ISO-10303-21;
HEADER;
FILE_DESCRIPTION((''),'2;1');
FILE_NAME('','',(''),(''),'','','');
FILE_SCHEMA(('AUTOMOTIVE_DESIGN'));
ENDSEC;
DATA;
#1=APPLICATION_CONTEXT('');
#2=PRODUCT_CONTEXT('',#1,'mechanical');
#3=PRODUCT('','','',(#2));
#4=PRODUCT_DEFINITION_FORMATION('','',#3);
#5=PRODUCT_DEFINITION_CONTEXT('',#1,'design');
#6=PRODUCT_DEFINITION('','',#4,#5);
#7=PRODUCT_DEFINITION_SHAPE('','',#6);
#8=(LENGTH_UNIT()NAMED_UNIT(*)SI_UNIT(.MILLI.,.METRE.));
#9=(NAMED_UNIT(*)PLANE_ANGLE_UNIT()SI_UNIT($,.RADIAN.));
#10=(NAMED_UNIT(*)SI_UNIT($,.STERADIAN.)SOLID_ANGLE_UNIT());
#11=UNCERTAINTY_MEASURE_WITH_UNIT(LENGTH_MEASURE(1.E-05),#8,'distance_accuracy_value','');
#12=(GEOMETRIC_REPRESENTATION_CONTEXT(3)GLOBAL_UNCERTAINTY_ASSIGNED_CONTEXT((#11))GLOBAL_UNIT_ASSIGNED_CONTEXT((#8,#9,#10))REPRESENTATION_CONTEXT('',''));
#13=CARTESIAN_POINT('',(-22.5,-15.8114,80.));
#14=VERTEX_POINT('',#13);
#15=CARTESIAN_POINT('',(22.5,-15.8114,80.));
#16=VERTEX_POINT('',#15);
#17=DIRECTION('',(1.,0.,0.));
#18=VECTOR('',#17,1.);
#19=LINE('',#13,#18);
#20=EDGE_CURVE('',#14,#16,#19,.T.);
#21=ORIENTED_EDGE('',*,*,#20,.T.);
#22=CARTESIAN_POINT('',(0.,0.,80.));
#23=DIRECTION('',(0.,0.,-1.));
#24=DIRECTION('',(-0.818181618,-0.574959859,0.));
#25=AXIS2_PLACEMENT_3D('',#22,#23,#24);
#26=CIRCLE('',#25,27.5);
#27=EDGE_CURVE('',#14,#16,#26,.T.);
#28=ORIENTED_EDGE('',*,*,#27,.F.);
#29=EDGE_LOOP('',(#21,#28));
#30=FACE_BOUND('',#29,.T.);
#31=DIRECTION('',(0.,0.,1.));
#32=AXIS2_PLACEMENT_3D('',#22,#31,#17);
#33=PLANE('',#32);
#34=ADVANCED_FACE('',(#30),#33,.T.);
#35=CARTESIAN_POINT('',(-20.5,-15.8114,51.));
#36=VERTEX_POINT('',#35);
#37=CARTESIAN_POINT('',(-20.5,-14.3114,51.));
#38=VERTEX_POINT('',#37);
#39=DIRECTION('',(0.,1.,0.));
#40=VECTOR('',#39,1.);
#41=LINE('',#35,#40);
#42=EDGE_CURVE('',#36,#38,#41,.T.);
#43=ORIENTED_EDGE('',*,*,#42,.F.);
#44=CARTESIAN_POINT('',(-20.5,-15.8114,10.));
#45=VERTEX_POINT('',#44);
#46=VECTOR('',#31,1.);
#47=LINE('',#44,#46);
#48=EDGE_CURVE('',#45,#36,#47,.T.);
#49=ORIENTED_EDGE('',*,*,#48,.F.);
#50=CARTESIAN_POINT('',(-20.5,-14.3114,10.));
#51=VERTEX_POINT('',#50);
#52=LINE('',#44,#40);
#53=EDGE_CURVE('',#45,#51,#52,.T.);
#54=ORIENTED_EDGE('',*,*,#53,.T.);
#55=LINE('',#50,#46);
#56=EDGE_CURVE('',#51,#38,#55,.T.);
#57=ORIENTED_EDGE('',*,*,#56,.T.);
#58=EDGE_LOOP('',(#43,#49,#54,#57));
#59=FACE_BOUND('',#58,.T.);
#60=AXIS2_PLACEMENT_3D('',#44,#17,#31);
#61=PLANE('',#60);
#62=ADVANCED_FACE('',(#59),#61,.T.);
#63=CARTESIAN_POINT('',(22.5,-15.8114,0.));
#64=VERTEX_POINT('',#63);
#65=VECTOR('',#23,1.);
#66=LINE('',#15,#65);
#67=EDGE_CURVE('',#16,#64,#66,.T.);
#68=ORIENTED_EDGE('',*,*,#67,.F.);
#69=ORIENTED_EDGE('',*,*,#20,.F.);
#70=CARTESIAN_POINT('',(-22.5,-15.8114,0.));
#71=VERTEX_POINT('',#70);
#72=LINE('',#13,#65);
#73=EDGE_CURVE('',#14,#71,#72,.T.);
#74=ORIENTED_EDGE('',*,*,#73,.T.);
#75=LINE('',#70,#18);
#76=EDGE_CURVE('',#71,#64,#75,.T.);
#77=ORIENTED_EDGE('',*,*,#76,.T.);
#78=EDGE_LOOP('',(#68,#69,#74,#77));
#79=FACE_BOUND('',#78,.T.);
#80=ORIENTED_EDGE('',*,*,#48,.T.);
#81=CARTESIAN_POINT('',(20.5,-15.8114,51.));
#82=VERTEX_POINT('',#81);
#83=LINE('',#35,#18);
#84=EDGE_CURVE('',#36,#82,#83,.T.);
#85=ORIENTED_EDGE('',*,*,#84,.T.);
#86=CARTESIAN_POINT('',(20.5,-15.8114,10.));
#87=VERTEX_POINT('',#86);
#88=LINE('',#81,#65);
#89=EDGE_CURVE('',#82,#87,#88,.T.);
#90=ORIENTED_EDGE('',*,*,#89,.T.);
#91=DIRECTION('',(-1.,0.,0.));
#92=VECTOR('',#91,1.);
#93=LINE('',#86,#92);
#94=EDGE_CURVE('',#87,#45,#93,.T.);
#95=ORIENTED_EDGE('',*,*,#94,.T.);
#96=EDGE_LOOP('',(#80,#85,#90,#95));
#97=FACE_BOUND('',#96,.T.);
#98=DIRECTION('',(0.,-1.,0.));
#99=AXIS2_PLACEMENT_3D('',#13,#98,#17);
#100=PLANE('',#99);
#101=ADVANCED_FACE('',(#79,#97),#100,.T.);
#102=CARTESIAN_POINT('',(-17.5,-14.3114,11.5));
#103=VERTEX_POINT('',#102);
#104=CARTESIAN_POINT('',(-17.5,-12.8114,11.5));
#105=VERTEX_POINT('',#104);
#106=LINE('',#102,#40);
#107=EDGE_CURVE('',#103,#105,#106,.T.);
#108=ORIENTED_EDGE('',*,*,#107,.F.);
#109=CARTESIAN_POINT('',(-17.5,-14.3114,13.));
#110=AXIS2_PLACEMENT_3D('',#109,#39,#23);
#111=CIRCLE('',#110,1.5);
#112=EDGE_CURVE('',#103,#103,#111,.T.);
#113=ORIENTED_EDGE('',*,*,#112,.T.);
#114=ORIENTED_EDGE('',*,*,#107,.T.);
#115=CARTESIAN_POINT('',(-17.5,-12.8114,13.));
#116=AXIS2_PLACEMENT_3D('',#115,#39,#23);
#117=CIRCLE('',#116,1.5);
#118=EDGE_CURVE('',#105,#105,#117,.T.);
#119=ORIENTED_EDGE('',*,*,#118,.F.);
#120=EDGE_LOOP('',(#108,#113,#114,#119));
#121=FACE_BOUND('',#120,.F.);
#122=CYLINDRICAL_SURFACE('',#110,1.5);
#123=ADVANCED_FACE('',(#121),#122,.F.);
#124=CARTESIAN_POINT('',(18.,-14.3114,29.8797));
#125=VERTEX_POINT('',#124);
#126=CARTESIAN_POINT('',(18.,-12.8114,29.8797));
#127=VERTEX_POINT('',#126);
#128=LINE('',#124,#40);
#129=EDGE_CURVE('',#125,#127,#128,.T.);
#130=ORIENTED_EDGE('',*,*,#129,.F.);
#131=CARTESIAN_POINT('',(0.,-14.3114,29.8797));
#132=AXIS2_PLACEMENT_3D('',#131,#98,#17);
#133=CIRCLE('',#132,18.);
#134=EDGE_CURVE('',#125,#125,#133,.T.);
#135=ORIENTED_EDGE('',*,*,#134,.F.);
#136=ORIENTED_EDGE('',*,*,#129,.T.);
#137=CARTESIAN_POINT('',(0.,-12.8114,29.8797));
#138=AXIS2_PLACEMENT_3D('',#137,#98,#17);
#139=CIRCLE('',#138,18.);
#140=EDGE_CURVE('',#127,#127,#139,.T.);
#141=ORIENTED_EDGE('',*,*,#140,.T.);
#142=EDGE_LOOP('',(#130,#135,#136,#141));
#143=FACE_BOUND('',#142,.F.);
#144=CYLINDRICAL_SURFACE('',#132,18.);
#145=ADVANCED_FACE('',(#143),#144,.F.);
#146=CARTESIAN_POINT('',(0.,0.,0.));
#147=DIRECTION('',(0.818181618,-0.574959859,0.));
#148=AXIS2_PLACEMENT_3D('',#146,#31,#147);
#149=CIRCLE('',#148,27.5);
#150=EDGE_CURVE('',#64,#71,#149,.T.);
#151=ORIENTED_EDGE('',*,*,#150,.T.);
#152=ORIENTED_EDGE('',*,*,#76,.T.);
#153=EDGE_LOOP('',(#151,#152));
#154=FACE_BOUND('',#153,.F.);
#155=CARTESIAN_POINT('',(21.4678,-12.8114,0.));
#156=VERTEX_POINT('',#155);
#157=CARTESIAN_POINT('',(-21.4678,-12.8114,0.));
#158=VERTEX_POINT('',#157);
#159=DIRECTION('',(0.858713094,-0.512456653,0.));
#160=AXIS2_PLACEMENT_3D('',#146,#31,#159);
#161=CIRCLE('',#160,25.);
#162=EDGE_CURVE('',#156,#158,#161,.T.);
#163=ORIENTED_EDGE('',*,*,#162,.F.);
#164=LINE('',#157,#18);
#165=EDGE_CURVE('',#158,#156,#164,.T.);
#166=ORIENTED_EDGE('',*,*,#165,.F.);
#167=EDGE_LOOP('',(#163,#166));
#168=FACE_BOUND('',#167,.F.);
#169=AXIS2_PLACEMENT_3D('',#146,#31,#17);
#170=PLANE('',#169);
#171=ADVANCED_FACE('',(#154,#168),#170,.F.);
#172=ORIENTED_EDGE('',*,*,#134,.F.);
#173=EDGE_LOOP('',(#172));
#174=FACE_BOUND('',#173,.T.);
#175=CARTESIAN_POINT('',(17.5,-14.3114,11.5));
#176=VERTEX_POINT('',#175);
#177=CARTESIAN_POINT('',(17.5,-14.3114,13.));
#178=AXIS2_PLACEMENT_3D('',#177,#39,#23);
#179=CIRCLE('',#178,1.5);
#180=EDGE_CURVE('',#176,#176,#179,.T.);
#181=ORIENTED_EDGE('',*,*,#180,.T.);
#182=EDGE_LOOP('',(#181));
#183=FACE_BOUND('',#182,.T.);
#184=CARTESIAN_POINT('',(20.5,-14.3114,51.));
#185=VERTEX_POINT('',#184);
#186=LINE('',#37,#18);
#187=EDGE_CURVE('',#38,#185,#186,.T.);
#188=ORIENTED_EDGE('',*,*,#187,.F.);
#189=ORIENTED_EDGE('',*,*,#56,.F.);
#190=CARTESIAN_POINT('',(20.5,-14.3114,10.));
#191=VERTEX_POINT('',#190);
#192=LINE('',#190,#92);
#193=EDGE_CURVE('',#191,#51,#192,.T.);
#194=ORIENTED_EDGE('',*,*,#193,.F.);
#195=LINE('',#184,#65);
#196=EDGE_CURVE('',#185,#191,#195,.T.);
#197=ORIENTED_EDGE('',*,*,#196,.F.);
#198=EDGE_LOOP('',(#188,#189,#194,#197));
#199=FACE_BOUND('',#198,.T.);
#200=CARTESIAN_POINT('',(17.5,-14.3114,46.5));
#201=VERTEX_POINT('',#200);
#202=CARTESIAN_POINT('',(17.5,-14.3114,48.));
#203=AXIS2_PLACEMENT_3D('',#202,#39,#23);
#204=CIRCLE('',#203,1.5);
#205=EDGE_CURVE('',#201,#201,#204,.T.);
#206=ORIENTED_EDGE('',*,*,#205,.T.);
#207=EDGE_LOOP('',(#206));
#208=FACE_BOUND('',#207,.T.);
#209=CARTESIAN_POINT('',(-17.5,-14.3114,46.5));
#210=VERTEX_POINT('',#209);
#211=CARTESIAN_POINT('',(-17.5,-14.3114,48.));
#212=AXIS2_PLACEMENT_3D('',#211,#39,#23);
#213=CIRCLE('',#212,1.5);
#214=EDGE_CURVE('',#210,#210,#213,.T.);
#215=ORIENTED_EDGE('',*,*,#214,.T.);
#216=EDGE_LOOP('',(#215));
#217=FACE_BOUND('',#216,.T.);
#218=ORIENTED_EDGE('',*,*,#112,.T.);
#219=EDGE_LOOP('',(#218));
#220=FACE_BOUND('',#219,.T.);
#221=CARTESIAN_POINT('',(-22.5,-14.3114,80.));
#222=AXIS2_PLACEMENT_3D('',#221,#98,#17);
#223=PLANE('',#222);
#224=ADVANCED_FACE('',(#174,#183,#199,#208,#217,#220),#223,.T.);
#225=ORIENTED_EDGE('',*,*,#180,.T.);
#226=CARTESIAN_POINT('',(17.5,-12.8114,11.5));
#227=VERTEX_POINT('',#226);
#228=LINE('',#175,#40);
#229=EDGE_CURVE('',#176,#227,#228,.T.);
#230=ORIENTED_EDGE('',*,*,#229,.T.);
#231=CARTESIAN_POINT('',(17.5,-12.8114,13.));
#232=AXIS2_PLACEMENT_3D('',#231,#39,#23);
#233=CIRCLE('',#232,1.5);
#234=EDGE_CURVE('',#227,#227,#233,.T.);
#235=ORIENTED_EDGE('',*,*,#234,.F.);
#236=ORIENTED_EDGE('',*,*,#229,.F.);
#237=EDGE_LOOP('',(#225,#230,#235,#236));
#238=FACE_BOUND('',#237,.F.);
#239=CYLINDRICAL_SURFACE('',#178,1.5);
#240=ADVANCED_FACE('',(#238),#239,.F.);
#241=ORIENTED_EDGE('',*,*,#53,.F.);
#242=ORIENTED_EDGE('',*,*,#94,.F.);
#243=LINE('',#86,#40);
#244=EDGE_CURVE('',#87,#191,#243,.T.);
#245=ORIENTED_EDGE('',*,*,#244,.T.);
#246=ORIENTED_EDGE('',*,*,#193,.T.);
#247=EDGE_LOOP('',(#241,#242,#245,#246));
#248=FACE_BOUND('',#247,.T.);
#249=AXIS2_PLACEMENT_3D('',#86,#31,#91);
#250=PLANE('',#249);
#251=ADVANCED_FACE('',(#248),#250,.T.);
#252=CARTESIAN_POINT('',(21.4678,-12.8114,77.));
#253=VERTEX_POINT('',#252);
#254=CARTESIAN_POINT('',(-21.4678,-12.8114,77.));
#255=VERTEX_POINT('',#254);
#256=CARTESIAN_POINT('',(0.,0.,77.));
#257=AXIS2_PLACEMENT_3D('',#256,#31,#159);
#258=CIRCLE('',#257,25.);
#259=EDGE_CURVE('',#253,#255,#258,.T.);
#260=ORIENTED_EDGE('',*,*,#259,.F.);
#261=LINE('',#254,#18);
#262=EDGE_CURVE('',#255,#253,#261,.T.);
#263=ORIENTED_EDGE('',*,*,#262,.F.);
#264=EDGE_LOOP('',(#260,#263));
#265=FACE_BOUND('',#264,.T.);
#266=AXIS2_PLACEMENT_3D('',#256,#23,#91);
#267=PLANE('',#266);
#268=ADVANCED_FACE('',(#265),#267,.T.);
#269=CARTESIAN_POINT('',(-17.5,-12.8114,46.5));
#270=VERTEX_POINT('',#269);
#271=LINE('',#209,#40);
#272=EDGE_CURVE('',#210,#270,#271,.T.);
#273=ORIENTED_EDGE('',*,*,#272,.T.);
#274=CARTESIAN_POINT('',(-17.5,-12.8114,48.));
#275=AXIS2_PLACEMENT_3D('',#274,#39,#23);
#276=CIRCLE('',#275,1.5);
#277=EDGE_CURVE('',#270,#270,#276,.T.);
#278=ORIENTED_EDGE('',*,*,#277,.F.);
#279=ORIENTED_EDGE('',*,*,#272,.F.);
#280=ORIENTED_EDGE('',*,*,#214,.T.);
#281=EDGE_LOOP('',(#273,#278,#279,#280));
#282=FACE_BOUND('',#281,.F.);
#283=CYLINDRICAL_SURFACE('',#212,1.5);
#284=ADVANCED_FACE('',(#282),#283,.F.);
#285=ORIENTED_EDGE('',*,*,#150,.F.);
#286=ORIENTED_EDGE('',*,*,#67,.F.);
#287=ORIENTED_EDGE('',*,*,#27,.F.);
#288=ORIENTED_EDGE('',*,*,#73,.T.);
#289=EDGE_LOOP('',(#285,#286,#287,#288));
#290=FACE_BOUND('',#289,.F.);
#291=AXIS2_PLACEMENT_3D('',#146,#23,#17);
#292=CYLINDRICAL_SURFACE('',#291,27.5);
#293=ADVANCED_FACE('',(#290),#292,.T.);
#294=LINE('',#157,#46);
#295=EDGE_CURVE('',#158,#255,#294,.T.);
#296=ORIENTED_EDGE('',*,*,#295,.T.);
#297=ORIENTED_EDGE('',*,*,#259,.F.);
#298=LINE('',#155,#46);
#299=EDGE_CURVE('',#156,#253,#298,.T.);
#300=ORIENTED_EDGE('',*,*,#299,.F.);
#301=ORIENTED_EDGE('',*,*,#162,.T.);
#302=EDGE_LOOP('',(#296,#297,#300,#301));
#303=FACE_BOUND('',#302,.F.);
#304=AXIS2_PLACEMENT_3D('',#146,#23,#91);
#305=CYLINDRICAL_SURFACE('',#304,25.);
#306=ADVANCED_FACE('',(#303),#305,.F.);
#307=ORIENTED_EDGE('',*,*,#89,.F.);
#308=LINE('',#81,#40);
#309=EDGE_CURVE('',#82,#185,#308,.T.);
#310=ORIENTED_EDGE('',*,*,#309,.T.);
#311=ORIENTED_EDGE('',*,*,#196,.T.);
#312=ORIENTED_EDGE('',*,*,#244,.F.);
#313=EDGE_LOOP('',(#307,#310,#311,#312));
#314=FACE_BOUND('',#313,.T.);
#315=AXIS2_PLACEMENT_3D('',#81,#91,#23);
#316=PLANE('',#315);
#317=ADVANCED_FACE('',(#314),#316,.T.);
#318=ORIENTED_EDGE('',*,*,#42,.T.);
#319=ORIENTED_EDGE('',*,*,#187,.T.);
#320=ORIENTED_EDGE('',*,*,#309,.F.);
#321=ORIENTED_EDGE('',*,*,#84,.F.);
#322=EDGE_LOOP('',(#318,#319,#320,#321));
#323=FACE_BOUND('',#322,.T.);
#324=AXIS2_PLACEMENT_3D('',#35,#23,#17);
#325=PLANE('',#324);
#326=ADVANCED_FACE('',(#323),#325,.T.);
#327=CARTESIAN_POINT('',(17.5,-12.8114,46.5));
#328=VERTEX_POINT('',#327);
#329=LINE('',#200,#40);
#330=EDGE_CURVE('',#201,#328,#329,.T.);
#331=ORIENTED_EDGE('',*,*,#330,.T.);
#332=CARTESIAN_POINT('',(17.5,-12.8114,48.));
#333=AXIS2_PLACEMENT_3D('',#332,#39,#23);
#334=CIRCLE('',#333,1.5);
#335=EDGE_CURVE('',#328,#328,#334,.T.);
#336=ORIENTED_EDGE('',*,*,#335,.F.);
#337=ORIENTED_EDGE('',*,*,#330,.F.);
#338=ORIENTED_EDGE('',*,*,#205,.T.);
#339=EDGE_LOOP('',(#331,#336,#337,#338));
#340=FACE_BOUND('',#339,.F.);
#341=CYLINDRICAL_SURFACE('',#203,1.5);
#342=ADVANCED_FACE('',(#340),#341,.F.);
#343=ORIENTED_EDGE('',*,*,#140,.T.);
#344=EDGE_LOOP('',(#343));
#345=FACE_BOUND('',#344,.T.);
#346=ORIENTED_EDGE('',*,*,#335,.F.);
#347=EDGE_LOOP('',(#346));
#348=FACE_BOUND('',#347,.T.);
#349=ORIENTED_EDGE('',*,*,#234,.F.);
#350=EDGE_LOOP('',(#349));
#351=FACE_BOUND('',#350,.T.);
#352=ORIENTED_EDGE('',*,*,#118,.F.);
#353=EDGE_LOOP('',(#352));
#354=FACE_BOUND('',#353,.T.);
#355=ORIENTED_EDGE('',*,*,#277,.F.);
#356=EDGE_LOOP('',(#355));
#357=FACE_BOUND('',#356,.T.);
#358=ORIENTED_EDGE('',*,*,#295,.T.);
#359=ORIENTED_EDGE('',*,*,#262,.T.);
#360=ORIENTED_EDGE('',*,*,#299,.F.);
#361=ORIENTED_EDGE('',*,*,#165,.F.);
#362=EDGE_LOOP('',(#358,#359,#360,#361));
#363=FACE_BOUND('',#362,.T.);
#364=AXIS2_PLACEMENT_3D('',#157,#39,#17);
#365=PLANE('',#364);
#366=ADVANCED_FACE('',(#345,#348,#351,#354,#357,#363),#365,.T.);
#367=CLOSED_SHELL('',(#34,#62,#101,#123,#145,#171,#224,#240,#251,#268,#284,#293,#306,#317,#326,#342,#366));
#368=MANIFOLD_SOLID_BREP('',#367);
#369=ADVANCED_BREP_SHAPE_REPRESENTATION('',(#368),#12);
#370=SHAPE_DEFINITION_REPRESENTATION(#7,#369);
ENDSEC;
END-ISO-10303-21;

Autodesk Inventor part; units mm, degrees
ref_plane "YZ Plane" through (0, 0, 0) normal (1, 0, 0) x (0, 1, 0)
ref_plane "XZ Plane" through (0, 0, 0) normal (0, 1, 0) x (-1, 0, 0)
ref_plane "XY Plane" through (0, 0, 0) normal (0, 0, 1) x (1, 0, 0)
sketch "Sketch1" plane through (0, 0, 0) normal (0, 0, 1) x (1, 0, 0)
  circle A0 centre (0, 0) radius 27.5
  dimension "d0" = 55
extrude "Extrusion1" add sketch "Sketch1" along normal blind 80
sketch "Sketch2" plane through (0, 0, 80) normal (0, 0, 1) x (1, 0, 0)
  circle A0 centre (0, 0) radius 27.5 projected
  line L0 (-22.5, -15.8114) -> (22.5, -15.8114)
  dimension "d5" = 45
extrude "Extrusion2" cut sketch "Sketch2" against normal blind 80 contours L0 A0 picked at (-6.0353, -17.4405)
sketch "Sketch3" plane through (-22.5, -15.8114, 80) normal (0, -1, 0) x (1, 0, 0)
  line L0 (43, -70) -> (2, -70)
  line L1 (2, -70) -> (2, -29)
  line L2 (2, -29) -> (43, -29)
  line L3 (43, -29) -> (43, -70)
  line L4 (0, -80) -> (0, 0) projected
  line L5 (45, 0) -> (45, -80) projected
  line L6 (0, 0) -> (45, 0) projected
  line L7 (45, -80) -> (0, -80) projected
  point P0 (22.5, -80)
  dimension "d16" = 41
  dimension "d17" = 41
  dimension "d18" = 45
  dimension "d19" = 2
  dimension "d20" = 29
extrude "Extrusion3" cut sketch "Sketch3" against normal blind 1.5 contours L0 L1 L2 L3
sketch "Sketch4" plane through (0, 0, 0) normal (0, 0, -1) x (-1, 0, 0)
  arc A0 (22.5, -15.8114) -> (-22.5, -15.8114) centre (0, 0) ccw projected
  circle A1 centre (0, 0) radius 25
  line L0 (21.4678, -12.8114) -> (-21.4678, -12.8114)
  line L1 (-22.5, -15.8114) -> (22.5, -15.8114) projected
  dimension "d12" = 50
  dimension "d13" = 3
extrude "Extrusion4" cut sketch "Sketch4" against normal blind 77 contours L0 A1
sketch "Sketch5" plane through (-22.5, -14.3114, 80) normal (0, -1, 0) x (1, 0, 0)
  circle A0 centre (22.5, -50.1203) radius 18
  point P0 (22.5, -80)
  dimension "d25" = 36
extrude "Extrusion5" cut sketch "Sketch5" against normal blind 31
hole "Hole1" at (-17.5, -14.3114, 48) direction (0, 1, 0) diameter 3 depth 8
hole "Hole2" at (17.5, -14.3114, 48) direction (0, 1, 0) diameter 3 depth 8
hole "Hole3" at (-17.5, -14.3114, 13) direction (0, 1, 0) diameter 3 depth 8
hole "Hole4" at (17.5, -14.3114, 13) direction (0, 1, 0) diameter 3 depth 8
properties part number "speaker_body"
